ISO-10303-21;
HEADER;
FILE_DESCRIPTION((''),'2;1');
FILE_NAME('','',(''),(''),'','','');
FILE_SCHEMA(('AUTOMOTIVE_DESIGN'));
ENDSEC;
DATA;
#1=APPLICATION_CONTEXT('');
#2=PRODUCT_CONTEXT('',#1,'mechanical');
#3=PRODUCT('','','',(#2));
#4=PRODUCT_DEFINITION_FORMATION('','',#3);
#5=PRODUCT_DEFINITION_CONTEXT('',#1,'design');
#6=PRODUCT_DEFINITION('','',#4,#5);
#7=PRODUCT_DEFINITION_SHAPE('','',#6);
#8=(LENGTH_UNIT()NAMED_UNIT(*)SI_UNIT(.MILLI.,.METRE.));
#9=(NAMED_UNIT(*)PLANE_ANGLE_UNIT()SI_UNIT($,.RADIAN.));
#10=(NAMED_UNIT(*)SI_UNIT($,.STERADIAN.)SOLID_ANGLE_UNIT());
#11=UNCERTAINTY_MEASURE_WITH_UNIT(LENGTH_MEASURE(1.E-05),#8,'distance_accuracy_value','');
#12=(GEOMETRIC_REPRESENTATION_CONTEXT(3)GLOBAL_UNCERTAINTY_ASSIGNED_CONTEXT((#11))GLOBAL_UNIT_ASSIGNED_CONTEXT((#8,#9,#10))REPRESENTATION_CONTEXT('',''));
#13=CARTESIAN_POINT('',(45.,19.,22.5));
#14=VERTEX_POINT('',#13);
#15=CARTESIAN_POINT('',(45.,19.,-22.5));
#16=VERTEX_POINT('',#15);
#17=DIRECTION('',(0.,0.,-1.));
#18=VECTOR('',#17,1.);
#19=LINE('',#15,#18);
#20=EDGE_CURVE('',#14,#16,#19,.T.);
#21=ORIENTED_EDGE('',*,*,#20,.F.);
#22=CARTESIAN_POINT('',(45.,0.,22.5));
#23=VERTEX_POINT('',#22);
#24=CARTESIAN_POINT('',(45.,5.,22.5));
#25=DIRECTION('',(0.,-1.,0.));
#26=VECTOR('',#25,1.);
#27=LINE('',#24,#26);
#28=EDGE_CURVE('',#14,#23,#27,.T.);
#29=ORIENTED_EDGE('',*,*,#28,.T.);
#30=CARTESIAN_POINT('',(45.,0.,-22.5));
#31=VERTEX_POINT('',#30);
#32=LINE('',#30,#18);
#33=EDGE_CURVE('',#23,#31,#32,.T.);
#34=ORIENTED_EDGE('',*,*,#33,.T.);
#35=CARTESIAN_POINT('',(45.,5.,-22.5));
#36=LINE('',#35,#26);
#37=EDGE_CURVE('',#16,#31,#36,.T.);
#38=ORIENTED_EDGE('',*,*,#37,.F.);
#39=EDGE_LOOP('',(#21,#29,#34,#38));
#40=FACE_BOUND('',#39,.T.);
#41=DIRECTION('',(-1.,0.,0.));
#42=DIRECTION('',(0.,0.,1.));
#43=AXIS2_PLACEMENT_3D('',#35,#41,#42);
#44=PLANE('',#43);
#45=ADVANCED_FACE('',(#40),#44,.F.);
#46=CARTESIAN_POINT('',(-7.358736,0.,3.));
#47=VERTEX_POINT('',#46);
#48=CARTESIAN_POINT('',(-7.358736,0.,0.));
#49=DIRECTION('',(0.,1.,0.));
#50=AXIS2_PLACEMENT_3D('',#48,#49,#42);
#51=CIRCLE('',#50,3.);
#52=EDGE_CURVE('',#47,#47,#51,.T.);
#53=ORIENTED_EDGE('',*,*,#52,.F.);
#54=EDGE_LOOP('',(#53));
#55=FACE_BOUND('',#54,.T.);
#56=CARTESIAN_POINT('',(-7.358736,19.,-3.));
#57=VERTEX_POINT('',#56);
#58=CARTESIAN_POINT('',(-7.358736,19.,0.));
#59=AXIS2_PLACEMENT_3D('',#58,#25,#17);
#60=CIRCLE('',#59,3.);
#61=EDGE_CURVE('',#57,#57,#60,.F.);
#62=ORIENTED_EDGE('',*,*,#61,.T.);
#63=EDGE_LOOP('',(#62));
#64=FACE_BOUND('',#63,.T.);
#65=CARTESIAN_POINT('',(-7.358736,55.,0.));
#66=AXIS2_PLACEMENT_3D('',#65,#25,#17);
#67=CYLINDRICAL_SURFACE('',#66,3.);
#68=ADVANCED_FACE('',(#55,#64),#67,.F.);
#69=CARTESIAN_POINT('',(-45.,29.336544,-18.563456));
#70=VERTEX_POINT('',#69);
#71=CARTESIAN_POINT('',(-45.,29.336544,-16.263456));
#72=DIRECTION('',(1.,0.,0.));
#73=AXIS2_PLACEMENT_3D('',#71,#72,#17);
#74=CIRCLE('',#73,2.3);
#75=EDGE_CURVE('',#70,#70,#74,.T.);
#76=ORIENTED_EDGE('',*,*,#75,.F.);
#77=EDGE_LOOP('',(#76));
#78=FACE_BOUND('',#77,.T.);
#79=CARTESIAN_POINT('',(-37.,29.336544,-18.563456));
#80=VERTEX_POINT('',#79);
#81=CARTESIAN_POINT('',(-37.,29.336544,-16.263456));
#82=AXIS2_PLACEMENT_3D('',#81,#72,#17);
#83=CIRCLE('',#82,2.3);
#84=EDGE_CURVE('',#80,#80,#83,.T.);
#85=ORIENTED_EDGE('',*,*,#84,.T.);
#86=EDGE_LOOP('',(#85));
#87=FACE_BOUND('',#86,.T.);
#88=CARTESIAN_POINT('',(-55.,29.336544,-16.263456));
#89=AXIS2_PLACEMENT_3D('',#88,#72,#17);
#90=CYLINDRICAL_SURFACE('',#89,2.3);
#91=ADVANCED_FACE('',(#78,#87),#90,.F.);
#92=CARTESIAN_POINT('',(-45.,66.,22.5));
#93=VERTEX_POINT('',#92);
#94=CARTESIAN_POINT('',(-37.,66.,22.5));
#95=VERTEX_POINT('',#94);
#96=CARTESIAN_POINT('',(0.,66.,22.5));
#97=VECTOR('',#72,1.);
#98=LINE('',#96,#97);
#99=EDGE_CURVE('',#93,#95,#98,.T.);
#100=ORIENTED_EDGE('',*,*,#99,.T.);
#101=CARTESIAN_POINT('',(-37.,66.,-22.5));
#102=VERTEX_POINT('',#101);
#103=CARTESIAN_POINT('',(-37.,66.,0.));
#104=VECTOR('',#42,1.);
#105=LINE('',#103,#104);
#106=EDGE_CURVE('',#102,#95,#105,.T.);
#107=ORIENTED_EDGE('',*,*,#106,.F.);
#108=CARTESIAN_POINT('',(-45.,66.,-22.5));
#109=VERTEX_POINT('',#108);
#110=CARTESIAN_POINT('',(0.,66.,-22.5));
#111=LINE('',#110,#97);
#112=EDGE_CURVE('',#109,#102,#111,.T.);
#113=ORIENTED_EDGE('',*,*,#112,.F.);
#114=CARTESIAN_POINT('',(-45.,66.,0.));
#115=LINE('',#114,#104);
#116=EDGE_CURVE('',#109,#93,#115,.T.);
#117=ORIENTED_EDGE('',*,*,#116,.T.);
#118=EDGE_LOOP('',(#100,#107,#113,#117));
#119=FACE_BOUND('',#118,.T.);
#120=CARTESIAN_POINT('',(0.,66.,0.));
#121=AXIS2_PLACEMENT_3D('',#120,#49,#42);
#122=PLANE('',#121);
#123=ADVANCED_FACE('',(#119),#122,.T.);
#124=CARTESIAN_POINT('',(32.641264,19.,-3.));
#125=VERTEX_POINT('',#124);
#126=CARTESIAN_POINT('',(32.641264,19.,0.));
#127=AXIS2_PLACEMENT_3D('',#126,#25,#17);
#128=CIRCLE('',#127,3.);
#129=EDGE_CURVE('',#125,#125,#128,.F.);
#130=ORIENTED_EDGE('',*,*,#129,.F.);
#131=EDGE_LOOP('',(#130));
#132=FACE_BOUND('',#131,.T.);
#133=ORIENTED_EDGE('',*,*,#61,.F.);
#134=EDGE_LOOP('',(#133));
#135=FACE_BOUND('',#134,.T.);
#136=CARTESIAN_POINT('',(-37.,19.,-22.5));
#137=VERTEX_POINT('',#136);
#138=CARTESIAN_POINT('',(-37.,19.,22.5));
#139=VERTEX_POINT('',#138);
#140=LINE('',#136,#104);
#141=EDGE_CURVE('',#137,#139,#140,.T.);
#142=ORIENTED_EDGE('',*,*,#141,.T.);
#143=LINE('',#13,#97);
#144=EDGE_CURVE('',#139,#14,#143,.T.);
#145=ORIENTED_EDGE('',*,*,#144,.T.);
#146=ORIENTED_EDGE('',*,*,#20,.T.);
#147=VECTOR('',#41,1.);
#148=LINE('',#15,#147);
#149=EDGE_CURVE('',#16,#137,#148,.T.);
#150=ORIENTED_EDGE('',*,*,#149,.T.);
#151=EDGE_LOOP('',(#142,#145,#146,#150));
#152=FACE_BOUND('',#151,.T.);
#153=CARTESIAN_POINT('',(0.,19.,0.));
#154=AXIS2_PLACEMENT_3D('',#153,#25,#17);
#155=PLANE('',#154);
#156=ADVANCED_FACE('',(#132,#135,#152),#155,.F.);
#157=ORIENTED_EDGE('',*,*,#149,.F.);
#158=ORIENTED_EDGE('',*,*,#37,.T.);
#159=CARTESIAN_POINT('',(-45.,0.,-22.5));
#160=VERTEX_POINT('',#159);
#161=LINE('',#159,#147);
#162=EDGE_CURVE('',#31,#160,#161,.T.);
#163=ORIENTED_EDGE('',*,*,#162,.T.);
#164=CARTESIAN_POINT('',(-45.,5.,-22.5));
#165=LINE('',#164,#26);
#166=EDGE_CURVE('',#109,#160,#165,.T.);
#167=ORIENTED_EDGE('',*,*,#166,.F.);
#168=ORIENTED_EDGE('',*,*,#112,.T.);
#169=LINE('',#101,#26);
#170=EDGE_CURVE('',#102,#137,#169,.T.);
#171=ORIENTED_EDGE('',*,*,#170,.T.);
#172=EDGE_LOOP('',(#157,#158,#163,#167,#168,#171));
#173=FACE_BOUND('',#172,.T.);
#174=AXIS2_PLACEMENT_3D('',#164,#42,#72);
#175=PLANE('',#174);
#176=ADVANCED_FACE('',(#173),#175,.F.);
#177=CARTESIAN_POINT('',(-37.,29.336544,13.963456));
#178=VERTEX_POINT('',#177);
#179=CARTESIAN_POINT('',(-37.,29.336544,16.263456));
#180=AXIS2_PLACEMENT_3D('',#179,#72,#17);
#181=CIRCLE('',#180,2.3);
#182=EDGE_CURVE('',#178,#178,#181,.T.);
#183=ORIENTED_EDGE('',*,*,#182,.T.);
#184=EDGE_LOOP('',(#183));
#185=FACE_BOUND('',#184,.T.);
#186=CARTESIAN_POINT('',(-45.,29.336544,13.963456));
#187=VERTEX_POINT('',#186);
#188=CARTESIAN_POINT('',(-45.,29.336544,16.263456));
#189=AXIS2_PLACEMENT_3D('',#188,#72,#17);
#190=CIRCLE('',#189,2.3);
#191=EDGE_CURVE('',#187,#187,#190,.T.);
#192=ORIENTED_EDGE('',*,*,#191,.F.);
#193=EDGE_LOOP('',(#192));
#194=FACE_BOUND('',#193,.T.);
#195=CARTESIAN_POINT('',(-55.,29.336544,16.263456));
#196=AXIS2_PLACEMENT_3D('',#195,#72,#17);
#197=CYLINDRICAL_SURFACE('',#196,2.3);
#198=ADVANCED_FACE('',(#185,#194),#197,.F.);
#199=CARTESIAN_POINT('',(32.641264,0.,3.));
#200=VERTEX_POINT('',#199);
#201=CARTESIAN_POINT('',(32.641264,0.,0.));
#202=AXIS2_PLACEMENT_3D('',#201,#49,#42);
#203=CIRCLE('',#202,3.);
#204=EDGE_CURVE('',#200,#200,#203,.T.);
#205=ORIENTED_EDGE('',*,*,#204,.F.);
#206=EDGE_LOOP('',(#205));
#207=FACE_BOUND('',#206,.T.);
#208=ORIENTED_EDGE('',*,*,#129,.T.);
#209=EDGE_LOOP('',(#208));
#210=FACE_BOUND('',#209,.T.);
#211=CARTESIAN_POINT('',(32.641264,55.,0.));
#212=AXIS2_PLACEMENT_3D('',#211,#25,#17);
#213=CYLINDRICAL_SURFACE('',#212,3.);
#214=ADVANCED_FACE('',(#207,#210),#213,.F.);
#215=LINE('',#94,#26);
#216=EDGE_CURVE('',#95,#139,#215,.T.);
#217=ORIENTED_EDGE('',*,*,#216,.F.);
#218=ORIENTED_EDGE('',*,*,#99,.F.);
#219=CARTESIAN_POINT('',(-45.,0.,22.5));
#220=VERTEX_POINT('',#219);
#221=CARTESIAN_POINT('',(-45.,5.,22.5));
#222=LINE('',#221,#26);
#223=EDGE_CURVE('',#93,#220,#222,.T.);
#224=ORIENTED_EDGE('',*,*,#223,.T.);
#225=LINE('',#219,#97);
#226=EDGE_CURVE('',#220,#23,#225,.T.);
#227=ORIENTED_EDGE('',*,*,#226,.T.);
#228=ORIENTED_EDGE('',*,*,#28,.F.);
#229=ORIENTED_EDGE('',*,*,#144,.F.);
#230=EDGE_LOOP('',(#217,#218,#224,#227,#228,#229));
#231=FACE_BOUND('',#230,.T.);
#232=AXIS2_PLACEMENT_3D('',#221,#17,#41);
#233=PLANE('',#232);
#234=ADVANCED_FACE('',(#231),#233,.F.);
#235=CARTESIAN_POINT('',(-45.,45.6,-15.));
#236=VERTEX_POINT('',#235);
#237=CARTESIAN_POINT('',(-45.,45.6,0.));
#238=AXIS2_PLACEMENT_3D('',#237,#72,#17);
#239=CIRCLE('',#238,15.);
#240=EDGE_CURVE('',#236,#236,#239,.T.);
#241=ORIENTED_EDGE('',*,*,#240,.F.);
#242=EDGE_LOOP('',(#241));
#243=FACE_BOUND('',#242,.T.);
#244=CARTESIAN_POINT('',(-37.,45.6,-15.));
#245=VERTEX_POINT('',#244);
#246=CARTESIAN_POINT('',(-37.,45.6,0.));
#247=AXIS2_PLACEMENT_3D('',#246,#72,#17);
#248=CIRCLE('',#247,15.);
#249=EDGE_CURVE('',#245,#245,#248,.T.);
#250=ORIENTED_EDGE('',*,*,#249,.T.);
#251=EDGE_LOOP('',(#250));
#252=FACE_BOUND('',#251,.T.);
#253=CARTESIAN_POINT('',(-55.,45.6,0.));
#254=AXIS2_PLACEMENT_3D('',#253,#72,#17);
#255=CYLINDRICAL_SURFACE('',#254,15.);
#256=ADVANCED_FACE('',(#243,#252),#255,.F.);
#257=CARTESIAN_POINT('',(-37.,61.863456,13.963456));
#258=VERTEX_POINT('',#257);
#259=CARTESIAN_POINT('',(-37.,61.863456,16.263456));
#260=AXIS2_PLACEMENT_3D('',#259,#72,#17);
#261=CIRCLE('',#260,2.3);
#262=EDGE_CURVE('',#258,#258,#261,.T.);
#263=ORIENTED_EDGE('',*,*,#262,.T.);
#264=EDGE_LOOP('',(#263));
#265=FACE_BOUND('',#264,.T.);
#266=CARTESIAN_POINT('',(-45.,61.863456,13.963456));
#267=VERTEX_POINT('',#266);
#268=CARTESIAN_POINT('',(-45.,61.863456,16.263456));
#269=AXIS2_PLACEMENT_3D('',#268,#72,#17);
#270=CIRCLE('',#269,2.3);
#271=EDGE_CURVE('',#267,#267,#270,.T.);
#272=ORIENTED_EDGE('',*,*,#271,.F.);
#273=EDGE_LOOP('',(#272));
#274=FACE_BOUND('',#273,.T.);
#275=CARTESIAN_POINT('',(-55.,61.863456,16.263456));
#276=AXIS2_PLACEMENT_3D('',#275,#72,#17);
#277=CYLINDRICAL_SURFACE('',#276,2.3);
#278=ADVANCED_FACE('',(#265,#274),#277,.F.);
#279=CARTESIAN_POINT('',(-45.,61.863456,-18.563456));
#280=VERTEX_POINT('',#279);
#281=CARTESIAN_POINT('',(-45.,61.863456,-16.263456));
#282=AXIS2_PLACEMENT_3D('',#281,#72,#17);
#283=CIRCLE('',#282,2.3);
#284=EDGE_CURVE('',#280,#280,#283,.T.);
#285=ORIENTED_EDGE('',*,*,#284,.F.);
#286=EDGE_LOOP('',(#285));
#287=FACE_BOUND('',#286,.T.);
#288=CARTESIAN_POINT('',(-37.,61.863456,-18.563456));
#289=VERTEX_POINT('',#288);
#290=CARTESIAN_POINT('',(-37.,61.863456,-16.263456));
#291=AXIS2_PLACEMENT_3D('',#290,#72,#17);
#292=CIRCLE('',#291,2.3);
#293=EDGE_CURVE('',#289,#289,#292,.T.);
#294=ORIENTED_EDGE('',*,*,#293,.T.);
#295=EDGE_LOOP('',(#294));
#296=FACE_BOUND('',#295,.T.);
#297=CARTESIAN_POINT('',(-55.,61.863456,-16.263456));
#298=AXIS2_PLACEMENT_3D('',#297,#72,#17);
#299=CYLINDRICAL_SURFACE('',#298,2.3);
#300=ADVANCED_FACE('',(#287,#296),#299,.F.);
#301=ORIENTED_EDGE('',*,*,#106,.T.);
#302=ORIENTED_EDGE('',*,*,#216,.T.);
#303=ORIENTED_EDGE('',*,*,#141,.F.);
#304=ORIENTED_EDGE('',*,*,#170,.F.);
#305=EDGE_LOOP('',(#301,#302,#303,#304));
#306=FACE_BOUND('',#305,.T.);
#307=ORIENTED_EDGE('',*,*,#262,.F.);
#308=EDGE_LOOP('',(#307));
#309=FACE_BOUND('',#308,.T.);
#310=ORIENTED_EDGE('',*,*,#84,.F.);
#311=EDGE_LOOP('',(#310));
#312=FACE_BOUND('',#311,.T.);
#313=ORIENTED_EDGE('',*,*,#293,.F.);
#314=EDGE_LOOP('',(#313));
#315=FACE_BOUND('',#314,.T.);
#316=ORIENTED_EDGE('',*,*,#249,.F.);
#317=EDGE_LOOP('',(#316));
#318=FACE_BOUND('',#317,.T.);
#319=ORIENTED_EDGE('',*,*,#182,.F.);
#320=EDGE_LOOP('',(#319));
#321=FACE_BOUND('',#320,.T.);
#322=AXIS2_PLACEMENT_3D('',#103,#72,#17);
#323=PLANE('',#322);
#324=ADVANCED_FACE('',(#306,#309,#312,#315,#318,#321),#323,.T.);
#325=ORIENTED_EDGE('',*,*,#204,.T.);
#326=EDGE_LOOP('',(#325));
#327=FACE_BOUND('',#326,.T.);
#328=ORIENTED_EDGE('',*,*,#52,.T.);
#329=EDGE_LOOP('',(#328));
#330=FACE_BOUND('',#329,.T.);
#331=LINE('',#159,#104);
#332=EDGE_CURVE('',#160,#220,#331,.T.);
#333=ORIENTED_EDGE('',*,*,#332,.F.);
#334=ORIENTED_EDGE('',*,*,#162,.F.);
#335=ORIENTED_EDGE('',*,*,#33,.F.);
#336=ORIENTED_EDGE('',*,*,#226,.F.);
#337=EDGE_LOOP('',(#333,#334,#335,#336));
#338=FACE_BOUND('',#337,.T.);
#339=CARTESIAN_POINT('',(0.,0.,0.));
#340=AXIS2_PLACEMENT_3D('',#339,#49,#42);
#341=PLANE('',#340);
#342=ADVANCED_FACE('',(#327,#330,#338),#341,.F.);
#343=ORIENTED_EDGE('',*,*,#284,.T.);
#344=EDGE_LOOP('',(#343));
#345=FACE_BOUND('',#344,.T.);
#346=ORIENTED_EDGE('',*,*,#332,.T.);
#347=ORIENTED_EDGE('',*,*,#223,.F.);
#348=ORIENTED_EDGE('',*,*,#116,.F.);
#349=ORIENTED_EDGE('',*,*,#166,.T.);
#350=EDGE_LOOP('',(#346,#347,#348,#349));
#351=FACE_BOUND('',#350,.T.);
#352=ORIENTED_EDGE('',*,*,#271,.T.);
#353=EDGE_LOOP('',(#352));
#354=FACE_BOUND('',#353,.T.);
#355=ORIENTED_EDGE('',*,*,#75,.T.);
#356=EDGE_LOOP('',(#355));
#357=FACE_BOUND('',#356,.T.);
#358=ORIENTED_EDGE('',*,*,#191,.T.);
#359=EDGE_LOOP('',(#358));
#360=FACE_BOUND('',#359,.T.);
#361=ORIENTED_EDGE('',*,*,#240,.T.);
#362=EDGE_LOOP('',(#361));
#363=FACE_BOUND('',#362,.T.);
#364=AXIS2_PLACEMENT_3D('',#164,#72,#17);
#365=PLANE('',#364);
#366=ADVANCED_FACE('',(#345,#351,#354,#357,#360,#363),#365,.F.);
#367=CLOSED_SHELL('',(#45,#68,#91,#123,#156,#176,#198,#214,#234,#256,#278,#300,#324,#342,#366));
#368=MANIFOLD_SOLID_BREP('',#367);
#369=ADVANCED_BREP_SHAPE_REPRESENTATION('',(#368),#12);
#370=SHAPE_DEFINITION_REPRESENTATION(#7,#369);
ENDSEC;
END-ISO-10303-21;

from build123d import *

# Parameters (mm, degrees)
SKETCH1_W           = 90
SKETCH1_H           = 45
BOSS_EXTRUDE1_DEPTH = 5
SKETCH2_W           = 8
SKETCH2_H           = 45
BOSS_EXTRUDE2_DEPTH = 66
SKETCH4_W           = 82
SKETCH4_H           = 45
BOSS_EXTRUDE3_DEPTH = 19
SKETCH5_R           = 15
SKETCH5_R_2         = 2.3
CUT_EXTRUDE1_DEPTH  = 55
SKETCH6_R           = 3
CUT_EXTRUDE2_DEPTH  = 55


with BuildPart() as part:
    # Sketch1 → Boss-Extrude1 (new body)
    with BuildSketch(Plane(origin=(0, 0, 0), x_dir=(1, 0, 0), z_dir=(0, 1, 0))):
        Rectangle(SKETCH1_W, SKETCH1_H)
    extrude(amount=BOSS_EXTRUDE1_DEPTH)

    # Sketch2 → Boss-Extrude2 (add)
    with BuildSketch(Plane(origin=(0, 0, 0), x_dir=(1, 0, 0), z_dir=(0, 1, 0))):
        with Locations((-41, 0)):
            Rectangle(SKETCH2_W, SKETCH2_H)
    extrude(amount=BOSS_EXTRUDE2_DEPTH)

    # Sketch4 → Boss-Extrude3 (add)
    with BuildSketch(Plane(origin=(0, 0, 0), x_dir=(1, 0, 0), z_dir=(0, 1, 0))):
        with Locations((4, 0)):
            Rectangle(SKETCH4_W, SKETCH4_H)
    extrude(amount=BOSS_EXTRUDE3_DEPTH)

    # Sketch5 → Cut-Extrude1 (cut)
    with BuildSketch(Plane(origin=(0, 0, 0), x_dir=(0, 0, -1), z_dir=(1, 0, 0))):
        with Locations((0, 45.6)):
            Circle(SKETCH5_R)
        with Locations((16.263455967, 61.863455967)):
            Circle(SKETCH5_R_2)
        with Locations((16.263455967, 29.336544033)):
            Circle(SKETCH5_R_2)
        with Locations((-16.263455967, 29.336544033)):
            Circle(SKETCH5_R_2)
        with Locations((-16.263455967, 61.863455967)):
            Circle(SKETCH5_R_2)
    extrude(amount=-CUT_EXTRUDE1_DEPTH, mode=Mode.SUBTRACT)

    # Sketch6 → Cut-Extrude2 (cut)
    with BuildSketch(Plane(origin=(0, 0, 0), x_dir=(1, 0, 0), z_dir=(0, 1, 0))):
        with Locations((32.641263943, 0)):
            Circle(SKETCH6_R)
        with Locations((-7.358736057, 0)):
            Circle(SKETCH6_R)
    extrude(amount=CUT_EXTRUDE2_DEPTH, mode=Mode.SUBTRACT)


solid = part.part
